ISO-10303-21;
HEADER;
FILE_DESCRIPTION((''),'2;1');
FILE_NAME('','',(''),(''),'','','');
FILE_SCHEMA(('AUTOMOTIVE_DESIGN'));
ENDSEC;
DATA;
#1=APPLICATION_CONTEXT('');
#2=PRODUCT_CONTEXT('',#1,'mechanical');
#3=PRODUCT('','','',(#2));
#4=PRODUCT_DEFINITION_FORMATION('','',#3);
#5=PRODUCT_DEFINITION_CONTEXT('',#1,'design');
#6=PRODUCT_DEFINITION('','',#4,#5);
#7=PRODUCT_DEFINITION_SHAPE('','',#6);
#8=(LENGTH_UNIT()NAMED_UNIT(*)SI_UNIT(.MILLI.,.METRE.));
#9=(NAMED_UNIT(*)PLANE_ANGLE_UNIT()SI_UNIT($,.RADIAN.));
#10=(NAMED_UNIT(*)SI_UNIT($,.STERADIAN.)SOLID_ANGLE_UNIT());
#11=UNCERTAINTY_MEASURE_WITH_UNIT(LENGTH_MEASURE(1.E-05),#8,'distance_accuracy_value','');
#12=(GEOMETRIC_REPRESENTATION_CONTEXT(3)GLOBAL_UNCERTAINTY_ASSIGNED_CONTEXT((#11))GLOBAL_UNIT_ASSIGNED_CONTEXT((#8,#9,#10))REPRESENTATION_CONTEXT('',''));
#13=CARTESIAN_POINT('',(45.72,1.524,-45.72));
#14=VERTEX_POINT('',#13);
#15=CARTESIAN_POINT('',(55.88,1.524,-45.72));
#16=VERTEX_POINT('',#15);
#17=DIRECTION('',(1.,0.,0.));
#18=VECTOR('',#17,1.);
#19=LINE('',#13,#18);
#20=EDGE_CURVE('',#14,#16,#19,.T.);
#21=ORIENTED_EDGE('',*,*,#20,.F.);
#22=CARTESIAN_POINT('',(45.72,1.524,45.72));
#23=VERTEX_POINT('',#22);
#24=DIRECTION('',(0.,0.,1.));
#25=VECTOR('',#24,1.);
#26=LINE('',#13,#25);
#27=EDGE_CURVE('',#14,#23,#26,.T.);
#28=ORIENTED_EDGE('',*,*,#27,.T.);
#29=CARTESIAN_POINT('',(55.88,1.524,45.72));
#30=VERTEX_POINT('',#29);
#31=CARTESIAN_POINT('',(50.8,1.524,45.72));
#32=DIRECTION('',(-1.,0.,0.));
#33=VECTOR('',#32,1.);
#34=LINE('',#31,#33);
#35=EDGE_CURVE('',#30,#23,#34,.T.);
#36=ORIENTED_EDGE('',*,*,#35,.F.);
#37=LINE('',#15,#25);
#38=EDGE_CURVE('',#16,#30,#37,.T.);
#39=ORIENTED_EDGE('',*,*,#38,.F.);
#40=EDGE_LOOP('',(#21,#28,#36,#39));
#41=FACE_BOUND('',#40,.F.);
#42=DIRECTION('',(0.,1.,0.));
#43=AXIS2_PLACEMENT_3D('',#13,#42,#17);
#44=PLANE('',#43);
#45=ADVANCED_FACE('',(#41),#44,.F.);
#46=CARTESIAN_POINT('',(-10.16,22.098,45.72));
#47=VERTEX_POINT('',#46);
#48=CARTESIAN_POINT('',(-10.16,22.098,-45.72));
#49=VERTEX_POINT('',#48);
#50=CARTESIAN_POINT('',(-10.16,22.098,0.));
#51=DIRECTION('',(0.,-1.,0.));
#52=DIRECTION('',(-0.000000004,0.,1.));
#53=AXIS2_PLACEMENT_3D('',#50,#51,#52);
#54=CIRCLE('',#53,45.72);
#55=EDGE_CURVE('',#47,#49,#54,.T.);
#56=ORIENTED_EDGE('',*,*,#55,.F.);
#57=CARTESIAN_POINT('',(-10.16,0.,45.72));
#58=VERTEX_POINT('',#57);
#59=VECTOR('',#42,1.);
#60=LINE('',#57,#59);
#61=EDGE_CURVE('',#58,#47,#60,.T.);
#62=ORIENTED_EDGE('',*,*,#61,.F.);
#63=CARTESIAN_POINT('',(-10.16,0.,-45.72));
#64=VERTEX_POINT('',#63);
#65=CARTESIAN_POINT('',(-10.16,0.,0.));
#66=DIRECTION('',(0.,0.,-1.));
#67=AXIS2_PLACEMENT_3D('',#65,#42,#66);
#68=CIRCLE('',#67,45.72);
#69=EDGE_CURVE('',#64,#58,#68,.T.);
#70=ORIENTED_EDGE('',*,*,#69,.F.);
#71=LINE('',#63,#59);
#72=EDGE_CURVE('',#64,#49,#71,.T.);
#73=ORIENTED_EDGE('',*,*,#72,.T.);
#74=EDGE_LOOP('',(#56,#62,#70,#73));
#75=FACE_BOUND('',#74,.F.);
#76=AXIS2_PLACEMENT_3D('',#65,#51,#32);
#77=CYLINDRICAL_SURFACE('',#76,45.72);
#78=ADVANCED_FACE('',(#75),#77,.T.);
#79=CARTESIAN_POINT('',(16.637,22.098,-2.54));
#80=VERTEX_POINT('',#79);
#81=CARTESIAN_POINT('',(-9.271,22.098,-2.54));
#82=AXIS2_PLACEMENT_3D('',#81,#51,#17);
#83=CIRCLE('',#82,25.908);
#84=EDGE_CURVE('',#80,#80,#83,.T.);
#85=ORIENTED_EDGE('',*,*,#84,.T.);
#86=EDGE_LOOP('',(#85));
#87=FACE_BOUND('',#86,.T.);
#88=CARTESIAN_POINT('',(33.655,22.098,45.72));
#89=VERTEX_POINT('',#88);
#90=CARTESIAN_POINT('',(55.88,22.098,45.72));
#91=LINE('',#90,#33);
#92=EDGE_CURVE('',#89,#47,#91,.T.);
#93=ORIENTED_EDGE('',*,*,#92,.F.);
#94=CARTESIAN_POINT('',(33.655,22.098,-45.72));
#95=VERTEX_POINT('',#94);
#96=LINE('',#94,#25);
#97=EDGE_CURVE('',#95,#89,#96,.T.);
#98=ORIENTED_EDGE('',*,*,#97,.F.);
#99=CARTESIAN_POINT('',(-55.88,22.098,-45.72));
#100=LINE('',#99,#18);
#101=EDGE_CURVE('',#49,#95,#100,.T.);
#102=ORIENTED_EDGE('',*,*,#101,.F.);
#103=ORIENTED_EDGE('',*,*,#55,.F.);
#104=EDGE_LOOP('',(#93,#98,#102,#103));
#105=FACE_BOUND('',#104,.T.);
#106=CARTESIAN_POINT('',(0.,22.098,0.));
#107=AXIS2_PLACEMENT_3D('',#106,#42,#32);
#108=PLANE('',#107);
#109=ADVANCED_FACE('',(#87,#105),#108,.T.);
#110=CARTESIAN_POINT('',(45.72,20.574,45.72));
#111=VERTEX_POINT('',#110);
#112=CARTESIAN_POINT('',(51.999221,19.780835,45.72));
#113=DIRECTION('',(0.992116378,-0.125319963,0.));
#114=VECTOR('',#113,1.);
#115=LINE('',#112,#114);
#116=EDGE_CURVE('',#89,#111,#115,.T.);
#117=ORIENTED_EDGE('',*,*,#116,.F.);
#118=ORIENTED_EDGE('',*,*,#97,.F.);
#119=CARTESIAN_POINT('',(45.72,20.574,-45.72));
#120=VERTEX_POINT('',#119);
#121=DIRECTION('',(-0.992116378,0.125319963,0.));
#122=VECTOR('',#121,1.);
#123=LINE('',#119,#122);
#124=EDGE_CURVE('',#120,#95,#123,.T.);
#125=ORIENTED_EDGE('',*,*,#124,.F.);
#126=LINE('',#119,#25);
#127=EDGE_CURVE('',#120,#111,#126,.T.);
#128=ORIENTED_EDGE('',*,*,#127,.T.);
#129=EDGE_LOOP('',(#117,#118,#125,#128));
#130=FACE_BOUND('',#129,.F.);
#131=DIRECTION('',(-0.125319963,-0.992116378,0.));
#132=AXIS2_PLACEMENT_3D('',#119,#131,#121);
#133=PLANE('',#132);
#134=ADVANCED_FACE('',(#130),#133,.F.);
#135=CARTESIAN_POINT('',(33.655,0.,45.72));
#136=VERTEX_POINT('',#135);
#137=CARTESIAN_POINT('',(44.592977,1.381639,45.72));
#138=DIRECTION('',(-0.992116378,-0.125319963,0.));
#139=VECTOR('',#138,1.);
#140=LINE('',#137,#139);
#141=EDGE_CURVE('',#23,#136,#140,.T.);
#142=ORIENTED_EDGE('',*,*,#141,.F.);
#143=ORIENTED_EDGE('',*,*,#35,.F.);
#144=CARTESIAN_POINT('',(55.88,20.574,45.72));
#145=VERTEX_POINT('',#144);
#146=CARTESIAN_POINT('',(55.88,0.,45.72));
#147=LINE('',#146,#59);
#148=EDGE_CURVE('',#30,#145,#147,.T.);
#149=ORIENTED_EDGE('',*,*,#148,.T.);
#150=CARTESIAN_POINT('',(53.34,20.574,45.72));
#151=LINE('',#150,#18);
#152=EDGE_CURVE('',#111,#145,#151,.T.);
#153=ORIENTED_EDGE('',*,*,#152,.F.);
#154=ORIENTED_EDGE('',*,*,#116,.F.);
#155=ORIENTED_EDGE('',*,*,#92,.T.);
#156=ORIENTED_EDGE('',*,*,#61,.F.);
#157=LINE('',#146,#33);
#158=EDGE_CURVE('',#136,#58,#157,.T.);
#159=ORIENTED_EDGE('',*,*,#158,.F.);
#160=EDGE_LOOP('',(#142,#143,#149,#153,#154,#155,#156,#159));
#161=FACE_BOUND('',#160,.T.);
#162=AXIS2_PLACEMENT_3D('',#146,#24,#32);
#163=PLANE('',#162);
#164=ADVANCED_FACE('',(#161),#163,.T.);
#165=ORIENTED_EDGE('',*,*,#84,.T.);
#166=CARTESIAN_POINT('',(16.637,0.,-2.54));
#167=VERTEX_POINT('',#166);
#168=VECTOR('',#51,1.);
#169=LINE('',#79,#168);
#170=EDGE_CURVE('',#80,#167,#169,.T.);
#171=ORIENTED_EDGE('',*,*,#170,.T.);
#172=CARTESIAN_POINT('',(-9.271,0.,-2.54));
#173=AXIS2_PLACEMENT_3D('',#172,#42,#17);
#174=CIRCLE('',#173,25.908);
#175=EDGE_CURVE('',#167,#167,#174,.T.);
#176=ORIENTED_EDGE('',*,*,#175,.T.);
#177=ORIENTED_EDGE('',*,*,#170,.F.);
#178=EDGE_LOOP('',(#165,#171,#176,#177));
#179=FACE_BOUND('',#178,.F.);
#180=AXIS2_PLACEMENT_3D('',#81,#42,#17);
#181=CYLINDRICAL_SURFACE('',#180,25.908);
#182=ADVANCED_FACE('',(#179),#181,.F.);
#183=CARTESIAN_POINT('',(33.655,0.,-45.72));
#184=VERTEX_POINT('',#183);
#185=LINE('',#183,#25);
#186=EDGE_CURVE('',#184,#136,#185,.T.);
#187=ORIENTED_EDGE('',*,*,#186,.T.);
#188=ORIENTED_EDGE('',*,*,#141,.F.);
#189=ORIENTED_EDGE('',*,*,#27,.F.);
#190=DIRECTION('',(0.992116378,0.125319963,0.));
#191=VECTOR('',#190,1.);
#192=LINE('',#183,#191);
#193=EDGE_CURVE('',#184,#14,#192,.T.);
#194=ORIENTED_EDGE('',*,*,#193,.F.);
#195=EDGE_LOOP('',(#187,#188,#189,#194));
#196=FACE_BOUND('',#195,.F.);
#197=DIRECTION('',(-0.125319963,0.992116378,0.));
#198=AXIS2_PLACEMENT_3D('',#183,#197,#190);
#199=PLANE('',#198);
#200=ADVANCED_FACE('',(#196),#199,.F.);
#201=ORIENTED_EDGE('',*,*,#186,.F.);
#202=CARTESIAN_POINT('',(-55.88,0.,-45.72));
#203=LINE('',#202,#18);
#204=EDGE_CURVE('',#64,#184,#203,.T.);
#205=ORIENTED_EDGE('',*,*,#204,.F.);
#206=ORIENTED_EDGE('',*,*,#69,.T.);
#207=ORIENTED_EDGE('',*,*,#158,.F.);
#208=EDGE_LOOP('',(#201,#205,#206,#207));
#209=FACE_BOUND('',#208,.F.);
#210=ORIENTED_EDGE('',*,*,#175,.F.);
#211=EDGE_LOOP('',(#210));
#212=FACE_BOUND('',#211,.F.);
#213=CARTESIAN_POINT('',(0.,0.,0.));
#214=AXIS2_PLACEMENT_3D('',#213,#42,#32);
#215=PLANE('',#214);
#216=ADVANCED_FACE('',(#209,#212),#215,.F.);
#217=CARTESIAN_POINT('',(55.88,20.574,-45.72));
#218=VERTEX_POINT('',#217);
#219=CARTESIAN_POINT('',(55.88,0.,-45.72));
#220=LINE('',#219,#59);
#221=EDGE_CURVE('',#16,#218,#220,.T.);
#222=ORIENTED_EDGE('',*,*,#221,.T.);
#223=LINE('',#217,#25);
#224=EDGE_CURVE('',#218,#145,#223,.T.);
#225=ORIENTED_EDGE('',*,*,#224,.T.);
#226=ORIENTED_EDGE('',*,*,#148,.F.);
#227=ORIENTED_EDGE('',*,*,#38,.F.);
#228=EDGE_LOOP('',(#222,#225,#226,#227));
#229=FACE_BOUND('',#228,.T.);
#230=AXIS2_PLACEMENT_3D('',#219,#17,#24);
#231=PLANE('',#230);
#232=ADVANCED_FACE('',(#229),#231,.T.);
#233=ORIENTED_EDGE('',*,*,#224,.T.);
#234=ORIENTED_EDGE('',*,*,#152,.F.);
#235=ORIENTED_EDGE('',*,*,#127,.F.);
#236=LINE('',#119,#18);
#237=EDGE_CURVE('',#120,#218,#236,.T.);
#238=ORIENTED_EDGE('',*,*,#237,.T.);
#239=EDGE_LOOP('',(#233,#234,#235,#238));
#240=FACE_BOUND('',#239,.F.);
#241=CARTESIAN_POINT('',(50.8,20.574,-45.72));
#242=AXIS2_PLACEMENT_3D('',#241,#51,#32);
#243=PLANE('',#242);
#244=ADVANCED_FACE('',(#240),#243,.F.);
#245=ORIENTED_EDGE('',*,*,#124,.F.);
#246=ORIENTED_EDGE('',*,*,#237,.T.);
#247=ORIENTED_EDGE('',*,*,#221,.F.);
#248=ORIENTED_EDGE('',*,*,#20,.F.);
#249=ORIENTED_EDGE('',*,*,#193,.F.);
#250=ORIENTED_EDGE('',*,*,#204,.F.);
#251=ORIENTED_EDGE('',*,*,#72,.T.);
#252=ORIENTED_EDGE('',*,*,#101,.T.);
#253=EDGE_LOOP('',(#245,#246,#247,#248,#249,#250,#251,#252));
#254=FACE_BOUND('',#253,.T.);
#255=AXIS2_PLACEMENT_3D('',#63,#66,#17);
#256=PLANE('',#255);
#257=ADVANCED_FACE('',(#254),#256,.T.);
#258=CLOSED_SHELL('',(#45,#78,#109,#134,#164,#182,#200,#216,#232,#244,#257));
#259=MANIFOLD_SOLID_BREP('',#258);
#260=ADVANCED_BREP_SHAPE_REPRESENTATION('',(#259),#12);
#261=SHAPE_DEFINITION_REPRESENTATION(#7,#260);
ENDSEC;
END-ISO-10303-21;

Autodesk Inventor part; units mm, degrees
ref_plane "YZ Plane" through (0, 0, 0) normal (1, 0, 0) x (0, 1, 0)
ref_plane "XZ Plane" through (0, 0, 0) normal (0, 1, 0) x (-1, 0, 0)
ref_plane "XY Plane" through (0, 0, 0) normal (0, 0, 1) x (1, 0, 0)
sketch "Sketch1" plane through (0, 0, 0) normal (0, 1, 0) x (-1, 0, 0)
  line L0 (-55.88, 45.72) -> (55.88, 45.72)
  line L1 (55.88, 45.72) -> (55.88, -45.72)
  line L2 (55.88, -45.72) -> (-55.88, -45.72)
  line L3 (-55.88, -45.72) -> (-55.88, 45.72)
  line L4 (-55.88, 45.72) -> (55.88, -45.72) construction
  line L5 (55.88, 45.72) -> (-55.88, -45.72) construction
  circle A0 centre (10.16, 0) radius 45.72
  point P0 (0, 0)
  point P1 (10.16, -45.72)
  point P2 (10.16, 45.72)
  dimension "d0" = 111.76
  dimension "d1" = 91.44
extrude "Extrusion1" add sketch "Sketch1" along normal blind 22.098 contours L0 A0 L2 L3 | A0
sketch "Sketch2" plane through (55.88, 0, -45.72) normal (0, 0, -1) x (-1, 0, 0)
  line L0 (66.04, 22.098) -> (0, 22.098) projected
  line L1 (66.04, 0) -> (0, 0) projected
  line L2 (0, 22.098) -> (10.16, 22.098)
  line L3 (10.16, 22.098) -> (10.16, 0)
  line L4 (10.16, 0) -> (0, 0)
  line L5 (0, 0) -> (0, 22.098)
  line L6 (5.08, 22.098) -> (5.08, 0)
  line L7 (0, 11.049) -> (10.16, 11.049)
  line L8 (0, 20.574) -> (10.16, 20.574)
  line L9 (10.16, 20.574) -> (10.16, 1.524)
  line L10 (10.16, 1.524) -> (0, 1.524)
  line L11 (0, 1.524) -> (0, 20.574)
  line L12 (0, 20.574) -> (10.16, 1.524) construction
  line L13 (10.16, 20.574) -> (0, 1.524) construction
  line L14 (10.16, 22.098) -> (22.225, 22.098)
  line L15 (22.225, 22.098) -> (22.225, 0)
  line L16 (22.225, 0) -> (10.16, 0)
  line L17 (10.16, 0) -> (10.16, 22.098)
  line L18 (10.16, 20.574) -> (22.225, 22.098)
  line L19 (22.225, 0) -> (10.16, 1.524)
  line L20 (5.08, 1.524) -> (10.16, 1.524)
  line L21 (5.08, 20.574) -> (10.16, 20.574)
  point P0 (55.88, 0)
  point P1 (5.08, 11.049)
  dimension "d4" = 10.16
  dimension "d5" = 19.05
  dimension "d6" = 12.065
extrude "Extrusion2" cut sketch "Sketch2" against normal blind 254 contours L18 L3 L0 | L3 L8 L6 L0 | L1 L3 L19 | L6 L8 L5 L0 | L1 L6 L10 L3 | L1 L5 L10 L6
sketch "Sketch3" plane through (0, 22.098, 0) normal (0, 1, 0) x (1, 0, 0)
  line L0 (-10.16, -45.72) -> (33.655, -45.72) projected
  line L1 (33.655, -45.72) -> (33.655, -23.368)
  line L2 (33.655, 45.72) -> (33.655, -45.72) projected
  line L3 (33.655, -23.368) -> (-49.457, -23.368)
  arc A0 (-10.16, 45.72) -> (-10.16, -45.72) centre (-10.16, 0) ccw projected
  line L4 (45.72, 45.72) -> (33.655, 45.72) projected
  line L5 (33.655, 45.72) -> (33.655, 28.448)
  line L6 (33.655, 28.448) -> (-45.9515, 28.448)
  line L7 (55.88, -45.72) -> (55.88, 45.72) projected
  line L8 (55.88, 28.448) -> (16.637, 28.448)
  line L9 (16.637, 28.448) -> (16.637, -23.368)
  circle A1 centre (-9.271, 2.54) radius 25.908
  point P0 (0, 0)
  dimension "d9" = 22.352
  dimension "d10" = 17.272
  dimension "d11" = 39.243
extrude "Extrusion3" cut sketch "Sketch3" against normal blind 254 contours A1
properties part number "fan"
